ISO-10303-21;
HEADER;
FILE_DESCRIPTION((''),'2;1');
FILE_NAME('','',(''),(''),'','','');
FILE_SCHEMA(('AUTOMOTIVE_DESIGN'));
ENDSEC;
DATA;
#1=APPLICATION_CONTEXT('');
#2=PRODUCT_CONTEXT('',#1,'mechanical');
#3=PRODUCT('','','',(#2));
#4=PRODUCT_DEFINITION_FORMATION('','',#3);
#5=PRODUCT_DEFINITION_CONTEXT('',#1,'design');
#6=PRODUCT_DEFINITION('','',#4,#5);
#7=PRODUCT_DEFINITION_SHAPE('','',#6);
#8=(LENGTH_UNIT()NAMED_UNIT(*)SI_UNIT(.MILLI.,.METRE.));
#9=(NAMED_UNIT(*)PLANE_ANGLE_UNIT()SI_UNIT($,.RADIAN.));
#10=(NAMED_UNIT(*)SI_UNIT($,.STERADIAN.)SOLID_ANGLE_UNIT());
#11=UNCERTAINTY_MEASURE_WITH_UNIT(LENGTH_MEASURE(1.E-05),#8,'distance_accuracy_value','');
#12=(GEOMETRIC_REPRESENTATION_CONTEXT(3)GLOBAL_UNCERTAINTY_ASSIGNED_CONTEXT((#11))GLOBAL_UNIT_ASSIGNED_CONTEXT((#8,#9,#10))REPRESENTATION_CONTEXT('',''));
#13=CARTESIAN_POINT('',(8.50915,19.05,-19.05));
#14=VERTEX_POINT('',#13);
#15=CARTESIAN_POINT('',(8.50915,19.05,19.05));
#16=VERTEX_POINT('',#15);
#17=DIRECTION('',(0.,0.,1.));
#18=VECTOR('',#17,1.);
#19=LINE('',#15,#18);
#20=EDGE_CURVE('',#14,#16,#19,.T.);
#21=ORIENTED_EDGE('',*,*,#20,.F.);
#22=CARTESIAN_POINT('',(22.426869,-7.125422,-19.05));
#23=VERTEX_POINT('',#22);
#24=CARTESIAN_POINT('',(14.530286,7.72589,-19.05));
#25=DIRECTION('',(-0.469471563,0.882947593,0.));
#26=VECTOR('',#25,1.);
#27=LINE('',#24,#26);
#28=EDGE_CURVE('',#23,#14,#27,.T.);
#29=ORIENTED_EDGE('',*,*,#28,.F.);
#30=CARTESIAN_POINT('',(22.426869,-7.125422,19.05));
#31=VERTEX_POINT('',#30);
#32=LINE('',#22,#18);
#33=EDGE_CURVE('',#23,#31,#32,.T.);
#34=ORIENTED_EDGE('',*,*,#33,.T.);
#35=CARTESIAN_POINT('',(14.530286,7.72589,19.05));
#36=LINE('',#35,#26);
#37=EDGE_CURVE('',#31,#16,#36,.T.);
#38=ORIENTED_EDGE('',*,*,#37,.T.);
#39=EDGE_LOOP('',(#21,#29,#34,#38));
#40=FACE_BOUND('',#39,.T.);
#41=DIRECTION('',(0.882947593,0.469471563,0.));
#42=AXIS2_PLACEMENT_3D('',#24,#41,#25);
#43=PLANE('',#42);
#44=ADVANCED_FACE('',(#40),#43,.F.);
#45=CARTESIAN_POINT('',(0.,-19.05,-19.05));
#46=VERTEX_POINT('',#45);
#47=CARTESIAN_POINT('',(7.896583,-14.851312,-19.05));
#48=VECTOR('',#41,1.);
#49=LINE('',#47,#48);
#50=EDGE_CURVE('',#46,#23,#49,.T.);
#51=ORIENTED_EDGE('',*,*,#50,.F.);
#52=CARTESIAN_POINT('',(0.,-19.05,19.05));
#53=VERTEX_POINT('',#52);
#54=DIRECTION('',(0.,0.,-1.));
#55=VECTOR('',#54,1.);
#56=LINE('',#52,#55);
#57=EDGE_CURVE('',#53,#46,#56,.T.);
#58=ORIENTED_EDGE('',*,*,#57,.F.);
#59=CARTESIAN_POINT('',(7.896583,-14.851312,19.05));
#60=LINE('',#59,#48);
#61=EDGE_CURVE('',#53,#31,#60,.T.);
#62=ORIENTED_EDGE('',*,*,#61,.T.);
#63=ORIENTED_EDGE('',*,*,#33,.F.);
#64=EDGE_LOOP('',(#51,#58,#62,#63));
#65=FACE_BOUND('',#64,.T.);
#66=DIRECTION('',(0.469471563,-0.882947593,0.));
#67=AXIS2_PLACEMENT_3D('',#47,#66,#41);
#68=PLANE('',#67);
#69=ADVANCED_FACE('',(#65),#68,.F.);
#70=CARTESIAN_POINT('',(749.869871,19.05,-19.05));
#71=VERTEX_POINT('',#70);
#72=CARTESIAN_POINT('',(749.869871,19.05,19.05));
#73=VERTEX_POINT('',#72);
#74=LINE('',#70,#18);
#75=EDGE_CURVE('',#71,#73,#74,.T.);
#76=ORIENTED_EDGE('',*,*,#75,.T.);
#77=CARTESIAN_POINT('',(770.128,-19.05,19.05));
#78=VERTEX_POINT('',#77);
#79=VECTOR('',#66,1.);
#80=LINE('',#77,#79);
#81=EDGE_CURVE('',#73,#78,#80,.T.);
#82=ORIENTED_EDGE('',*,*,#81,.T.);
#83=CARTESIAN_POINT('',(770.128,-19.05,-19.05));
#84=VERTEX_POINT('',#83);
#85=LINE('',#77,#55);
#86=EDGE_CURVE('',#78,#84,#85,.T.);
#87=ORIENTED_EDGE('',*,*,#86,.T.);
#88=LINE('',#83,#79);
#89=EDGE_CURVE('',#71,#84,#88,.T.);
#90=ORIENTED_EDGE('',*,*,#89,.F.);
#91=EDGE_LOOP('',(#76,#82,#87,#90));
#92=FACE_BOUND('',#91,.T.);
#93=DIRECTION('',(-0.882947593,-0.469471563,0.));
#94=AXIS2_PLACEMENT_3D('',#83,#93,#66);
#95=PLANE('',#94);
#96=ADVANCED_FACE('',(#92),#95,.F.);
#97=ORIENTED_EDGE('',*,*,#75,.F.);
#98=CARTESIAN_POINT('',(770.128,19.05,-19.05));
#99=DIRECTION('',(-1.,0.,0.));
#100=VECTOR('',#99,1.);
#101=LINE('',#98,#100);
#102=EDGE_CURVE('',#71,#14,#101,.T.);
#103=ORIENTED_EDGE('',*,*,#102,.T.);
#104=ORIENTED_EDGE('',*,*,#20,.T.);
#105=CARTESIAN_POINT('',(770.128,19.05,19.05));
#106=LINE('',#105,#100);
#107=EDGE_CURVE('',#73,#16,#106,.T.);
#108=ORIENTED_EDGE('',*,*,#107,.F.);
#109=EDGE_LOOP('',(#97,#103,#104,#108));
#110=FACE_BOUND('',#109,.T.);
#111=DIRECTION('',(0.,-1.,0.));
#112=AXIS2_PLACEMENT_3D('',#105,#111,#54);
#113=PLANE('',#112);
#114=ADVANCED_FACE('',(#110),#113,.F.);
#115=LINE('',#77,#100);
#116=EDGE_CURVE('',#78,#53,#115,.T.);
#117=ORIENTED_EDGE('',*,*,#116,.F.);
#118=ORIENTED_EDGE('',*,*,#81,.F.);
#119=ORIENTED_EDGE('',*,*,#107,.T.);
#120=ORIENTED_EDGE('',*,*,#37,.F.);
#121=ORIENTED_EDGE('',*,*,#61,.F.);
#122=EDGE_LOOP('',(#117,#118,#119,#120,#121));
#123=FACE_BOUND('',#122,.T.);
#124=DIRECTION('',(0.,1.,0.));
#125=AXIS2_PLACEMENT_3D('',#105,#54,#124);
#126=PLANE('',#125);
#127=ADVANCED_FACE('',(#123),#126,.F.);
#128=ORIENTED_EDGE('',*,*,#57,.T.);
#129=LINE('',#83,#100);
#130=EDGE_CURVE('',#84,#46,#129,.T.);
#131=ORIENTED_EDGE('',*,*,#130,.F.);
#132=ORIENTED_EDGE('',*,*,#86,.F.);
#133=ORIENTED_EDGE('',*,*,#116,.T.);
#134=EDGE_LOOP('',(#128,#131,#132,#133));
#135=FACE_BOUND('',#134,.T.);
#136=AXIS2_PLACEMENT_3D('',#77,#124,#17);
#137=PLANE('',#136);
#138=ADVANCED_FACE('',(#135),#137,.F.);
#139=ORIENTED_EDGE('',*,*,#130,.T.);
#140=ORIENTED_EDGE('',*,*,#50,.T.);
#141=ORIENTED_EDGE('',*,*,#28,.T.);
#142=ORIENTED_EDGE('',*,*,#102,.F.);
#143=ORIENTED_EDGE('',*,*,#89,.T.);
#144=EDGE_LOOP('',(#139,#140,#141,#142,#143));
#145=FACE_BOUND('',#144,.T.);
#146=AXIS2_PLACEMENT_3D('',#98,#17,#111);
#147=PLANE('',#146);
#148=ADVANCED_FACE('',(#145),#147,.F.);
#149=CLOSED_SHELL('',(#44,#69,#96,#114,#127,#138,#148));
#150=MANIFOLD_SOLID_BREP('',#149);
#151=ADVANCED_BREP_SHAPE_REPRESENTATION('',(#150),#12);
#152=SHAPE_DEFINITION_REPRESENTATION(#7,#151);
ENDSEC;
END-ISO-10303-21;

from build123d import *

# Parameters (mm, degrees)
SKETCH1_W               = 38.1
SKETCH1_H               = 38.1
BOSS_EXTRUDE1_DEPTH     = 770.128
CUT_EXTRUDE1_DEPTH      = 772.305159379
CUT_EXTRUDE2_DEPTH      = 772.305159379
CUT_EXTRUDE2_DEPTH_BACK = 772.305159379


with BuildPart() as part:
    # Sketch1 → Boss-Extrude1 (new body)
    with BuildSketch(Plane(origin=(0, 0, 0), x_dir=(0, 0, -1), z_dir=(1, 0, 0))):
        Rectangle(SKETCH1_W, SKETCH1_H)
    extrude(amount=BOSS_EXTRUDE1_DEPTH)

    # Sketch2 → Cut-Extrude1 (cut, through all)
    with BuildSketch(Plane.XY.offset(19.05)):
        Polygon((770.128, -19.05), (749.869870654, 19.05), (770.128, 19.05), align=None)
    extrude(amount=-CUT_EXTRUDE1_DEPTH, mode=Mode.SUBTRACT)

    # Sketch3 → Cut-Extrude2 (cut, two sides: drawn at the far end of the back side and taken through both)
    with BuildSketch(Plane.XY.offset(19.05).offset(-CUT_EXTRUDE2_DEPTH_BACK)):
        Polygon((0, -19.05), (22.426868859, -7.125422305), (-1.422286531, 37.728315412), (-23.84915539, 25.803737717), align=None)
    extrude(amount=CUT_EXTRUDE2_DEPTH + CUT_EXTRUDE2_DEPTH_BACK, mode=Mode.SUBTRACT)


solid = part.part
